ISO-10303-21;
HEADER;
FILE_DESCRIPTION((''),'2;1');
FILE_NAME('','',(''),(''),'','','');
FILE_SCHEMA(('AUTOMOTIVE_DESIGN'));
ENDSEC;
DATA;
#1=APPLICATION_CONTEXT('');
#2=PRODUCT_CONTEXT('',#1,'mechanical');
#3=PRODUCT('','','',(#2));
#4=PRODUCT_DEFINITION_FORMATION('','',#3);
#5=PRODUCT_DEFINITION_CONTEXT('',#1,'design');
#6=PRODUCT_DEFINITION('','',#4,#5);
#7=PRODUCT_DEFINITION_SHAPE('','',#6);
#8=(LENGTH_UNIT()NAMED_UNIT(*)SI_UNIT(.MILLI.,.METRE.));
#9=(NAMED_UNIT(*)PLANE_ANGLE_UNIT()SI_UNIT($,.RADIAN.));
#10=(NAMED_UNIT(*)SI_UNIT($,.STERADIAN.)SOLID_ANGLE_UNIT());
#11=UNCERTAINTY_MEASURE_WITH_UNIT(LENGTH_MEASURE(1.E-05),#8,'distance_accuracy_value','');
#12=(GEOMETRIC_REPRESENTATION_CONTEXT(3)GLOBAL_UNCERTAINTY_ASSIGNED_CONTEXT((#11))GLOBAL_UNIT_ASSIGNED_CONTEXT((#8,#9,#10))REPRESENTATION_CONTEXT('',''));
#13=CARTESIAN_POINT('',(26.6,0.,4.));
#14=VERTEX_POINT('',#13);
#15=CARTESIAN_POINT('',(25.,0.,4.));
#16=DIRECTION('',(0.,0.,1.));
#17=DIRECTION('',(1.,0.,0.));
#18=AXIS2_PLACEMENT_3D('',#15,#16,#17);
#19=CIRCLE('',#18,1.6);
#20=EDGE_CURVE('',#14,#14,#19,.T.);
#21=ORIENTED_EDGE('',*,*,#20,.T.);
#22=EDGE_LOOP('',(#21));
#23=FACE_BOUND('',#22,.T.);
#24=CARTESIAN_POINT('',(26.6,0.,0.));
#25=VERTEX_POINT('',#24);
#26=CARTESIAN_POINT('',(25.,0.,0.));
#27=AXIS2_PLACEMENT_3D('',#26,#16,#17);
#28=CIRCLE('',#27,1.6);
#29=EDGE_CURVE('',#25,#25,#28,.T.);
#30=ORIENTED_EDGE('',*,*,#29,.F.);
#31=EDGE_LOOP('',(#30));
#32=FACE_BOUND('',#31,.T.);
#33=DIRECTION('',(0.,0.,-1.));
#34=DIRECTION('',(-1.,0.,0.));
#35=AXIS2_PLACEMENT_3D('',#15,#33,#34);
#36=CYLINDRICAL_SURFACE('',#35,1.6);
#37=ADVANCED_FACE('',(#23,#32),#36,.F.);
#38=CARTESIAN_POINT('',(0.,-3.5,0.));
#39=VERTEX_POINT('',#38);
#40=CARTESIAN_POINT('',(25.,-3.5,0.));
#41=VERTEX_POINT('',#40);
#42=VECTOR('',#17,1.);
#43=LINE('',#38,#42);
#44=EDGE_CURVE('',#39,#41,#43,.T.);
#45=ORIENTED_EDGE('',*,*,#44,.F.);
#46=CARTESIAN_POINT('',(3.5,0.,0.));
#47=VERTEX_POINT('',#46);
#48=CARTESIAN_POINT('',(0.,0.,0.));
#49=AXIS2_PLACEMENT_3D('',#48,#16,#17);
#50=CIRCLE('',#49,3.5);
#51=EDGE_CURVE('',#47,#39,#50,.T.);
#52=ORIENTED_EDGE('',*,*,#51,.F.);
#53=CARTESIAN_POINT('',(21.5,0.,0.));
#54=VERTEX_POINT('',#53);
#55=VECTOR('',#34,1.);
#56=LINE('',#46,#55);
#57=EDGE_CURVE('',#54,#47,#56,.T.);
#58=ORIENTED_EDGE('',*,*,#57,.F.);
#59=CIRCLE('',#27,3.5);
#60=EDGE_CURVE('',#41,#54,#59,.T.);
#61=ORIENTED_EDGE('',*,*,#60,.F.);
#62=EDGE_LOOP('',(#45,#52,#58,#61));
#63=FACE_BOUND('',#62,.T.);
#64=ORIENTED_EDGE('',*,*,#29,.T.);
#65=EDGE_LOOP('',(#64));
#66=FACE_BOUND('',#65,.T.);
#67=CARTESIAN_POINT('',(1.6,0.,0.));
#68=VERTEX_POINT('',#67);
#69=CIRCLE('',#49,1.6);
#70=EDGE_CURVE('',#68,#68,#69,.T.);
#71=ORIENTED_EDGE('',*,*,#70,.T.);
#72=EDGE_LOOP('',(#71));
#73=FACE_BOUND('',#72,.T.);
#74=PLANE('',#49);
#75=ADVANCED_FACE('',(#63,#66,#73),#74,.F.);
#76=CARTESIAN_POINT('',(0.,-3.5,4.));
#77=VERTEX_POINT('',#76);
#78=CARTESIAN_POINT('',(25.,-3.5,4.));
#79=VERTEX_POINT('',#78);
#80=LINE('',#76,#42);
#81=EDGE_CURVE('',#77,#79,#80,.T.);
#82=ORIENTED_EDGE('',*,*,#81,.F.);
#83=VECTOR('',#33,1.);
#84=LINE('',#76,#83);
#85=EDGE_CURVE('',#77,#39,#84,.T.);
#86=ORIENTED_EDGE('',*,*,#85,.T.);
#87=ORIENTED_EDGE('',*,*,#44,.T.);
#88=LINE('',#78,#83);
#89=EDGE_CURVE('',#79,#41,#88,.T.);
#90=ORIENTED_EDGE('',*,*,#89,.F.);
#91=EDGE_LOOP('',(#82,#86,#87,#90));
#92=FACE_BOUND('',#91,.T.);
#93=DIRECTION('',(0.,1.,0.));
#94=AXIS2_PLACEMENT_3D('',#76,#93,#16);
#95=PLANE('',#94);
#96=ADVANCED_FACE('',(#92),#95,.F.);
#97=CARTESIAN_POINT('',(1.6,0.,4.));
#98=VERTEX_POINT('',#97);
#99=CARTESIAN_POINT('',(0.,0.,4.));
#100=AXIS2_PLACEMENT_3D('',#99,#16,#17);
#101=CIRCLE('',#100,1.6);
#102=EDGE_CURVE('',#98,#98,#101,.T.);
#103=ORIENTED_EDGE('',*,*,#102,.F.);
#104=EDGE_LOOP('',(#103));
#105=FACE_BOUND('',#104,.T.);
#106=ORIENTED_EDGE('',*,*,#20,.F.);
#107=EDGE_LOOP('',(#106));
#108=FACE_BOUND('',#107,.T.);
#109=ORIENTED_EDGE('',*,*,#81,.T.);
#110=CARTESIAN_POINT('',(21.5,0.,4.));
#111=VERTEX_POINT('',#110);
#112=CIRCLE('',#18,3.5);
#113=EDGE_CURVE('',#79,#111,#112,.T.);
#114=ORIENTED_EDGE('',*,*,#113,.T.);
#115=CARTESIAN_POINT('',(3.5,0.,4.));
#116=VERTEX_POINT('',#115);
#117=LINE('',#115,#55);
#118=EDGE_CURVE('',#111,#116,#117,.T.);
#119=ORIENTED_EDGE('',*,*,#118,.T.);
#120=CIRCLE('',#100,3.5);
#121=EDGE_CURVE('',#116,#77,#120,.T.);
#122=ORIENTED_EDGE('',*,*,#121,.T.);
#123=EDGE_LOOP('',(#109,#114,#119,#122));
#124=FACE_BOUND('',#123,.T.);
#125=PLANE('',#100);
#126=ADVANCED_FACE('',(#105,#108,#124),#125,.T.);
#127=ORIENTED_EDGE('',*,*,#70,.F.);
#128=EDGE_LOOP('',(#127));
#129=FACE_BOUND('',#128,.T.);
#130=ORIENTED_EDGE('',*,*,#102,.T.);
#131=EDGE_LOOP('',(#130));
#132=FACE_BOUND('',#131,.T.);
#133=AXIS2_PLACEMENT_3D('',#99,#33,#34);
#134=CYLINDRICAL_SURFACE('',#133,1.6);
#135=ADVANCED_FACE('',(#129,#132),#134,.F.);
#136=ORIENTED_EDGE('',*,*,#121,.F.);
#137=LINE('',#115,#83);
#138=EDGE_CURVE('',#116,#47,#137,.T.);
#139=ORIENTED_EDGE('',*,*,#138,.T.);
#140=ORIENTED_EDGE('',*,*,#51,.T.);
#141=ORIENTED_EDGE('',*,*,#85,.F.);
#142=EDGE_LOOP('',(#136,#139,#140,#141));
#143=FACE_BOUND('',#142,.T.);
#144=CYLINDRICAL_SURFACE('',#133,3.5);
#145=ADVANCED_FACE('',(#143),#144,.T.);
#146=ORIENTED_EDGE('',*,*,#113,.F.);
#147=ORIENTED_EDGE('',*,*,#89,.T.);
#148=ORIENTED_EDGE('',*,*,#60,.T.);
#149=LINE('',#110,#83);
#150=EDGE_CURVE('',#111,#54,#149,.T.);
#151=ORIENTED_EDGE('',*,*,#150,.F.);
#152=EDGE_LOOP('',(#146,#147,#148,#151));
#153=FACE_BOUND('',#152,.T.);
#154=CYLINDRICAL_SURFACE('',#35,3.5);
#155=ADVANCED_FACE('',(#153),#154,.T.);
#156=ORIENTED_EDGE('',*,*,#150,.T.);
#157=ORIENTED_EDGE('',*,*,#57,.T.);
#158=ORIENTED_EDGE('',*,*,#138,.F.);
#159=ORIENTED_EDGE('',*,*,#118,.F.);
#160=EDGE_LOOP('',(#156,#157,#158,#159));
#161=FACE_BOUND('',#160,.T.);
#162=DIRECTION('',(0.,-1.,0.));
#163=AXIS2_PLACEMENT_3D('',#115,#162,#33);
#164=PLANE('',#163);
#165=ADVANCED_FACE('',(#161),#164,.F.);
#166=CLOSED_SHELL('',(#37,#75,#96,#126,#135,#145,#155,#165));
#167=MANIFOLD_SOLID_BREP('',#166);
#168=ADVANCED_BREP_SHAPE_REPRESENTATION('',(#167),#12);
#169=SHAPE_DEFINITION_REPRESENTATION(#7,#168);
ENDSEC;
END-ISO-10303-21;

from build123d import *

# Parameters (mm, degrees)
SKETCH_1_R      = 1.6
EXTRUDE_1_DEPTH = 4


with BuildPart() as part:
    # ｽｹｯﾁ1 → ﾎﾞｽ - 押し出し1 (new body)
    with BuildSketch(Plane.XY):
        with BuildLine():
            Line((0, -3.5), (25, -3.5))
            ThreePointArc((25, -3.5), (27.474873734, 2.474873734), (21.5, 0))
            Line((21.5, 0), (3.5, 0))
            ThreePointArc((3.5, 0), (-2.474873734, 2.474873734), (0, -3.5))
        make_face()
        Circle(SKETCH_1_R, mode=Mode.SUBTRACT)
        with Locations((25, 0)):
            Circle(SKETCH_1_R, mode=Mode.SUBTRACT)
    extrude(amount=EXTRUDE_1_DEPTH)


solid = part.part
